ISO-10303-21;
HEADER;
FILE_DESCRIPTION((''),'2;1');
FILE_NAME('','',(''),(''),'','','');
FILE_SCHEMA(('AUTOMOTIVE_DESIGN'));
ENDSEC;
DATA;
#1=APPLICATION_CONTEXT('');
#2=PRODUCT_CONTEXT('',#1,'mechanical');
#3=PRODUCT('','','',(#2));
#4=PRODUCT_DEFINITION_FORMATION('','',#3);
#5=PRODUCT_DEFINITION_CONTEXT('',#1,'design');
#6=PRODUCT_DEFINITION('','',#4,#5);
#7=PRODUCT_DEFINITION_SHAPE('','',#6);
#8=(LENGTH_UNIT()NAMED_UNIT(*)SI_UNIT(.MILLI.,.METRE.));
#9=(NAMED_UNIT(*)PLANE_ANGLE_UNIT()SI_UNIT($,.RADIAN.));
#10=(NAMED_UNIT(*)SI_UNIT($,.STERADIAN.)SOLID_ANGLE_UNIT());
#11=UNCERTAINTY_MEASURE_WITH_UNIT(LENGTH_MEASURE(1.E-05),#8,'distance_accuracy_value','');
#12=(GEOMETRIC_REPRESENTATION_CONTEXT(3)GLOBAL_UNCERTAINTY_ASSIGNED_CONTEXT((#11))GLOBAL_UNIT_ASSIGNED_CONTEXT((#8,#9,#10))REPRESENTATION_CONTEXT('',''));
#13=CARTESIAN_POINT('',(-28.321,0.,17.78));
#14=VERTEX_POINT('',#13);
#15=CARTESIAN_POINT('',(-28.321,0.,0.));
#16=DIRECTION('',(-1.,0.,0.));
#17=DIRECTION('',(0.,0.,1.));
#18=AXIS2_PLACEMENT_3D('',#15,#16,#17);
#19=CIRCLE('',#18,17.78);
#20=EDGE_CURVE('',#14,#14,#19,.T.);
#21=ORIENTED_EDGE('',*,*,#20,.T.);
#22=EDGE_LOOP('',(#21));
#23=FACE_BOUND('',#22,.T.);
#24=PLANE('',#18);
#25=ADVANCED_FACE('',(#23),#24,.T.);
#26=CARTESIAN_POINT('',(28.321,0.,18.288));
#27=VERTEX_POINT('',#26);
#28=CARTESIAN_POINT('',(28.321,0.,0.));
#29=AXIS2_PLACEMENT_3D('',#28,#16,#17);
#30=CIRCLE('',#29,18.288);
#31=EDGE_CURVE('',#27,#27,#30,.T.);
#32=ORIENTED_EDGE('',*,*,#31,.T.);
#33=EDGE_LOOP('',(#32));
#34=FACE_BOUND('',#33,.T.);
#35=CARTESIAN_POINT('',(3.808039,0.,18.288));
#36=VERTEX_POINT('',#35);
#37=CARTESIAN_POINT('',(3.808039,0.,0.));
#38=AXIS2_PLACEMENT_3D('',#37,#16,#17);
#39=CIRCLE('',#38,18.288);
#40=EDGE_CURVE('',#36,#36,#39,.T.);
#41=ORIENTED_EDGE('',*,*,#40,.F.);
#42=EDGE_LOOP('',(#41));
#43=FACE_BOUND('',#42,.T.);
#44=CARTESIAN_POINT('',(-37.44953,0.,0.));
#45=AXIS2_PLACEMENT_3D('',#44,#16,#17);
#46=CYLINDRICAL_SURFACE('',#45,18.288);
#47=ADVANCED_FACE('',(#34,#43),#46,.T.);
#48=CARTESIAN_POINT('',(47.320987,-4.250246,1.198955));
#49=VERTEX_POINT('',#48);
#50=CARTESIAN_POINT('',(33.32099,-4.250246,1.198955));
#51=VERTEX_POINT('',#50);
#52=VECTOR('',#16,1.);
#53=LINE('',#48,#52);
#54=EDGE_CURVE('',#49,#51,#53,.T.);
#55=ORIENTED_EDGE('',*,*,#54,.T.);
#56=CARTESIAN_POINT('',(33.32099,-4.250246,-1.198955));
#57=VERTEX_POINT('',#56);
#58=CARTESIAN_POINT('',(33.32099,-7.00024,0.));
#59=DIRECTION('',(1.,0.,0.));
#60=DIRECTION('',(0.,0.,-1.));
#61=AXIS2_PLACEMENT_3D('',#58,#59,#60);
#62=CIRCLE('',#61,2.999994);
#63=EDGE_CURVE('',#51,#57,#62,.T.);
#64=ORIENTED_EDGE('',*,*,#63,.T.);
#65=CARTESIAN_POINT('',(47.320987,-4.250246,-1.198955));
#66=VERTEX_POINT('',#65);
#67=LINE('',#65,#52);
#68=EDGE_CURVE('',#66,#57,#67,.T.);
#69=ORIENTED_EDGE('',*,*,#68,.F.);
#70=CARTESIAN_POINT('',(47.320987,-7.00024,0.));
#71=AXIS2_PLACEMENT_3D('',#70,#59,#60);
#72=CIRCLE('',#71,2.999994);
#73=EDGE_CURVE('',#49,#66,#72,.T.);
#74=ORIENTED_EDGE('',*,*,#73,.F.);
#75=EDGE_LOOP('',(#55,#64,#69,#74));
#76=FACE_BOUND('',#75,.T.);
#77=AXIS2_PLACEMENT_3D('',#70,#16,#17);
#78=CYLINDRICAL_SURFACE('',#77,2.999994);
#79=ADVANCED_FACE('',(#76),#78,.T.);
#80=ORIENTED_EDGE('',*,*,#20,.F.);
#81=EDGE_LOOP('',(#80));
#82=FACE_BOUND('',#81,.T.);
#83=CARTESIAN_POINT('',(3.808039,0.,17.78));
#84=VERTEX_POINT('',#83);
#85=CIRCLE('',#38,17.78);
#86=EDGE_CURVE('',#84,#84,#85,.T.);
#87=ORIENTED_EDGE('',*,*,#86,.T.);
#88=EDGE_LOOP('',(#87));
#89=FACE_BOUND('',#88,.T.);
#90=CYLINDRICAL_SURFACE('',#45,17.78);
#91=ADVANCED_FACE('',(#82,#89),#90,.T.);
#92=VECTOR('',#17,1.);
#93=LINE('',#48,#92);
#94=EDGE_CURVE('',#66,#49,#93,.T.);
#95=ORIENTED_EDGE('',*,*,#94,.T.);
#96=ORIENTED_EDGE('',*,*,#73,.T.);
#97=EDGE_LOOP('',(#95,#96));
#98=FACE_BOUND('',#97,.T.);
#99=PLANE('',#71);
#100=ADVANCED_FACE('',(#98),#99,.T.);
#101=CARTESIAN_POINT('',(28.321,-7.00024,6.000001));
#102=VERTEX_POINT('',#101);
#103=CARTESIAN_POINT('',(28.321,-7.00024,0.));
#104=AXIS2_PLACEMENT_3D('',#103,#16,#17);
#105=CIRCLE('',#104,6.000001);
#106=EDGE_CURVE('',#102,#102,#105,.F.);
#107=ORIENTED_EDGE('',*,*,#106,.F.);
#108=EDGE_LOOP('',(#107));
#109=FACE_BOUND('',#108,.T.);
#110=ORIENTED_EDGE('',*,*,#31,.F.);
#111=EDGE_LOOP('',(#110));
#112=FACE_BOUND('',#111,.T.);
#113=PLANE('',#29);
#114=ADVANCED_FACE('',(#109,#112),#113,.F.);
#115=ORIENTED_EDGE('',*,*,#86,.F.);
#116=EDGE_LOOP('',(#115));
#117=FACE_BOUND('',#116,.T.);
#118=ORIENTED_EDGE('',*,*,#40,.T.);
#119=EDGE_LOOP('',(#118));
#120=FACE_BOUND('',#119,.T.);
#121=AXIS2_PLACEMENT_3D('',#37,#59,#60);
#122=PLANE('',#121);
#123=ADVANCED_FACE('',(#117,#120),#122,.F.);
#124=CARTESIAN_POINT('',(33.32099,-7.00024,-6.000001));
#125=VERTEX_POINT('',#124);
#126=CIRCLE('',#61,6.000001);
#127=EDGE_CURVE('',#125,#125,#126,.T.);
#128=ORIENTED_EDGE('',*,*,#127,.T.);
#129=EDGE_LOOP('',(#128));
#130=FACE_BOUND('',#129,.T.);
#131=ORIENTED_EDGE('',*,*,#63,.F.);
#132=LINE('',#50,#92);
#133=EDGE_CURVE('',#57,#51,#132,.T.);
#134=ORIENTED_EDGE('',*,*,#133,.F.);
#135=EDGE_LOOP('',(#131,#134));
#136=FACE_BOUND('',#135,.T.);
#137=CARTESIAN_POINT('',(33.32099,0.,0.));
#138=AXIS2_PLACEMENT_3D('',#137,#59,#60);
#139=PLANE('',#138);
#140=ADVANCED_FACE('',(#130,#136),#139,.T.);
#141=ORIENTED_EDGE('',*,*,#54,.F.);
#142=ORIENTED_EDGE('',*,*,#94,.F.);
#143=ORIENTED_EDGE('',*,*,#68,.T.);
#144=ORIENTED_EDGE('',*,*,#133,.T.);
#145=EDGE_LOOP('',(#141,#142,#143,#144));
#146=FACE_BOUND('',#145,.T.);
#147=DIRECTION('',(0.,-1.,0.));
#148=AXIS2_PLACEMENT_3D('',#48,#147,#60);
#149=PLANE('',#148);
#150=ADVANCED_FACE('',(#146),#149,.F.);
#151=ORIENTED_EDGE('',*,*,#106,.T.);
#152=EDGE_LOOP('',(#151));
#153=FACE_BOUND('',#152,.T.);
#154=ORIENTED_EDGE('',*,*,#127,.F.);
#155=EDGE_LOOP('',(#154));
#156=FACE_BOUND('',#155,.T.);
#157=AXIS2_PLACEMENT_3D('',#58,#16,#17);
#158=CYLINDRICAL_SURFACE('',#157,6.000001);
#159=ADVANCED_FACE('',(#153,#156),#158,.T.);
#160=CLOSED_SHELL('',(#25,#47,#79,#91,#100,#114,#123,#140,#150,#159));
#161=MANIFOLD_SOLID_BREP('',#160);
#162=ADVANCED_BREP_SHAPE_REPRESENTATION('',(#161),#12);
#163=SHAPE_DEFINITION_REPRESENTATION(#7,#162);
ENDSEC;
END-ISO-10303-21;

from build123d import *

# Parameters (mm, degrees)
SKETCH2_R           = 6.0000007
BOSS_EXTRUDE1_DEPTH = 4.99999
BOSS_EXTRUDE2_DEPTH = 13.9999974


with BuildPart() as part:
    # Sketch1 → Revolve1 (revolve)
    with BuildSketch(Plane.XY, mode=Mode.PRIVATE) as revolve1_sk:
        Polygon((28.321, 0), (28.321, 18.288), (3.80803947, 18.288), (3.80803947, 17.78), (-28.321, 17.78), (-28.321, 0), align=None)
    revolve(revolve1_sk.sketch.rotate(Axis((-37.449530368, 0, 0), (1, 0, 0)), 90), axis=Axis((-37.449530368, 0, 0), (1, 0, 0)))

    # Sketch2 → Boss-Extrude1 (add)
    with BuildSketch(Plane(origin=(28.321, 0, 0), x_dir=(0, 0, -1), z_dir=(1, 0, 0))):
        with Locations(Location((0, -7.00024, 0), (0, 0, 180))):
            Circle(SKETCH2_R)
    extrude(amount=BOSS_EXTRUDE1_DEPTH)

    # Sketch3 → Boss-Extrude2 (add)
    with BuildSketch(Plane(origin=(33.32099, 0, 0), x_dir=(0, 0, -1), z_dir=(1, 0, 0))):
        with BuildLine():
            Line((-1.198955483, -4.2502455), (1.198955483, -4.2502455))
            ThreePointArc((1.198955483, -4.2502455), (0, -10.000234), (-1.198955483, -4.2502455))
        make_face()
    extrude(amount=BOSS_EXTRUDE2_DEPTH)


solid = part.part
